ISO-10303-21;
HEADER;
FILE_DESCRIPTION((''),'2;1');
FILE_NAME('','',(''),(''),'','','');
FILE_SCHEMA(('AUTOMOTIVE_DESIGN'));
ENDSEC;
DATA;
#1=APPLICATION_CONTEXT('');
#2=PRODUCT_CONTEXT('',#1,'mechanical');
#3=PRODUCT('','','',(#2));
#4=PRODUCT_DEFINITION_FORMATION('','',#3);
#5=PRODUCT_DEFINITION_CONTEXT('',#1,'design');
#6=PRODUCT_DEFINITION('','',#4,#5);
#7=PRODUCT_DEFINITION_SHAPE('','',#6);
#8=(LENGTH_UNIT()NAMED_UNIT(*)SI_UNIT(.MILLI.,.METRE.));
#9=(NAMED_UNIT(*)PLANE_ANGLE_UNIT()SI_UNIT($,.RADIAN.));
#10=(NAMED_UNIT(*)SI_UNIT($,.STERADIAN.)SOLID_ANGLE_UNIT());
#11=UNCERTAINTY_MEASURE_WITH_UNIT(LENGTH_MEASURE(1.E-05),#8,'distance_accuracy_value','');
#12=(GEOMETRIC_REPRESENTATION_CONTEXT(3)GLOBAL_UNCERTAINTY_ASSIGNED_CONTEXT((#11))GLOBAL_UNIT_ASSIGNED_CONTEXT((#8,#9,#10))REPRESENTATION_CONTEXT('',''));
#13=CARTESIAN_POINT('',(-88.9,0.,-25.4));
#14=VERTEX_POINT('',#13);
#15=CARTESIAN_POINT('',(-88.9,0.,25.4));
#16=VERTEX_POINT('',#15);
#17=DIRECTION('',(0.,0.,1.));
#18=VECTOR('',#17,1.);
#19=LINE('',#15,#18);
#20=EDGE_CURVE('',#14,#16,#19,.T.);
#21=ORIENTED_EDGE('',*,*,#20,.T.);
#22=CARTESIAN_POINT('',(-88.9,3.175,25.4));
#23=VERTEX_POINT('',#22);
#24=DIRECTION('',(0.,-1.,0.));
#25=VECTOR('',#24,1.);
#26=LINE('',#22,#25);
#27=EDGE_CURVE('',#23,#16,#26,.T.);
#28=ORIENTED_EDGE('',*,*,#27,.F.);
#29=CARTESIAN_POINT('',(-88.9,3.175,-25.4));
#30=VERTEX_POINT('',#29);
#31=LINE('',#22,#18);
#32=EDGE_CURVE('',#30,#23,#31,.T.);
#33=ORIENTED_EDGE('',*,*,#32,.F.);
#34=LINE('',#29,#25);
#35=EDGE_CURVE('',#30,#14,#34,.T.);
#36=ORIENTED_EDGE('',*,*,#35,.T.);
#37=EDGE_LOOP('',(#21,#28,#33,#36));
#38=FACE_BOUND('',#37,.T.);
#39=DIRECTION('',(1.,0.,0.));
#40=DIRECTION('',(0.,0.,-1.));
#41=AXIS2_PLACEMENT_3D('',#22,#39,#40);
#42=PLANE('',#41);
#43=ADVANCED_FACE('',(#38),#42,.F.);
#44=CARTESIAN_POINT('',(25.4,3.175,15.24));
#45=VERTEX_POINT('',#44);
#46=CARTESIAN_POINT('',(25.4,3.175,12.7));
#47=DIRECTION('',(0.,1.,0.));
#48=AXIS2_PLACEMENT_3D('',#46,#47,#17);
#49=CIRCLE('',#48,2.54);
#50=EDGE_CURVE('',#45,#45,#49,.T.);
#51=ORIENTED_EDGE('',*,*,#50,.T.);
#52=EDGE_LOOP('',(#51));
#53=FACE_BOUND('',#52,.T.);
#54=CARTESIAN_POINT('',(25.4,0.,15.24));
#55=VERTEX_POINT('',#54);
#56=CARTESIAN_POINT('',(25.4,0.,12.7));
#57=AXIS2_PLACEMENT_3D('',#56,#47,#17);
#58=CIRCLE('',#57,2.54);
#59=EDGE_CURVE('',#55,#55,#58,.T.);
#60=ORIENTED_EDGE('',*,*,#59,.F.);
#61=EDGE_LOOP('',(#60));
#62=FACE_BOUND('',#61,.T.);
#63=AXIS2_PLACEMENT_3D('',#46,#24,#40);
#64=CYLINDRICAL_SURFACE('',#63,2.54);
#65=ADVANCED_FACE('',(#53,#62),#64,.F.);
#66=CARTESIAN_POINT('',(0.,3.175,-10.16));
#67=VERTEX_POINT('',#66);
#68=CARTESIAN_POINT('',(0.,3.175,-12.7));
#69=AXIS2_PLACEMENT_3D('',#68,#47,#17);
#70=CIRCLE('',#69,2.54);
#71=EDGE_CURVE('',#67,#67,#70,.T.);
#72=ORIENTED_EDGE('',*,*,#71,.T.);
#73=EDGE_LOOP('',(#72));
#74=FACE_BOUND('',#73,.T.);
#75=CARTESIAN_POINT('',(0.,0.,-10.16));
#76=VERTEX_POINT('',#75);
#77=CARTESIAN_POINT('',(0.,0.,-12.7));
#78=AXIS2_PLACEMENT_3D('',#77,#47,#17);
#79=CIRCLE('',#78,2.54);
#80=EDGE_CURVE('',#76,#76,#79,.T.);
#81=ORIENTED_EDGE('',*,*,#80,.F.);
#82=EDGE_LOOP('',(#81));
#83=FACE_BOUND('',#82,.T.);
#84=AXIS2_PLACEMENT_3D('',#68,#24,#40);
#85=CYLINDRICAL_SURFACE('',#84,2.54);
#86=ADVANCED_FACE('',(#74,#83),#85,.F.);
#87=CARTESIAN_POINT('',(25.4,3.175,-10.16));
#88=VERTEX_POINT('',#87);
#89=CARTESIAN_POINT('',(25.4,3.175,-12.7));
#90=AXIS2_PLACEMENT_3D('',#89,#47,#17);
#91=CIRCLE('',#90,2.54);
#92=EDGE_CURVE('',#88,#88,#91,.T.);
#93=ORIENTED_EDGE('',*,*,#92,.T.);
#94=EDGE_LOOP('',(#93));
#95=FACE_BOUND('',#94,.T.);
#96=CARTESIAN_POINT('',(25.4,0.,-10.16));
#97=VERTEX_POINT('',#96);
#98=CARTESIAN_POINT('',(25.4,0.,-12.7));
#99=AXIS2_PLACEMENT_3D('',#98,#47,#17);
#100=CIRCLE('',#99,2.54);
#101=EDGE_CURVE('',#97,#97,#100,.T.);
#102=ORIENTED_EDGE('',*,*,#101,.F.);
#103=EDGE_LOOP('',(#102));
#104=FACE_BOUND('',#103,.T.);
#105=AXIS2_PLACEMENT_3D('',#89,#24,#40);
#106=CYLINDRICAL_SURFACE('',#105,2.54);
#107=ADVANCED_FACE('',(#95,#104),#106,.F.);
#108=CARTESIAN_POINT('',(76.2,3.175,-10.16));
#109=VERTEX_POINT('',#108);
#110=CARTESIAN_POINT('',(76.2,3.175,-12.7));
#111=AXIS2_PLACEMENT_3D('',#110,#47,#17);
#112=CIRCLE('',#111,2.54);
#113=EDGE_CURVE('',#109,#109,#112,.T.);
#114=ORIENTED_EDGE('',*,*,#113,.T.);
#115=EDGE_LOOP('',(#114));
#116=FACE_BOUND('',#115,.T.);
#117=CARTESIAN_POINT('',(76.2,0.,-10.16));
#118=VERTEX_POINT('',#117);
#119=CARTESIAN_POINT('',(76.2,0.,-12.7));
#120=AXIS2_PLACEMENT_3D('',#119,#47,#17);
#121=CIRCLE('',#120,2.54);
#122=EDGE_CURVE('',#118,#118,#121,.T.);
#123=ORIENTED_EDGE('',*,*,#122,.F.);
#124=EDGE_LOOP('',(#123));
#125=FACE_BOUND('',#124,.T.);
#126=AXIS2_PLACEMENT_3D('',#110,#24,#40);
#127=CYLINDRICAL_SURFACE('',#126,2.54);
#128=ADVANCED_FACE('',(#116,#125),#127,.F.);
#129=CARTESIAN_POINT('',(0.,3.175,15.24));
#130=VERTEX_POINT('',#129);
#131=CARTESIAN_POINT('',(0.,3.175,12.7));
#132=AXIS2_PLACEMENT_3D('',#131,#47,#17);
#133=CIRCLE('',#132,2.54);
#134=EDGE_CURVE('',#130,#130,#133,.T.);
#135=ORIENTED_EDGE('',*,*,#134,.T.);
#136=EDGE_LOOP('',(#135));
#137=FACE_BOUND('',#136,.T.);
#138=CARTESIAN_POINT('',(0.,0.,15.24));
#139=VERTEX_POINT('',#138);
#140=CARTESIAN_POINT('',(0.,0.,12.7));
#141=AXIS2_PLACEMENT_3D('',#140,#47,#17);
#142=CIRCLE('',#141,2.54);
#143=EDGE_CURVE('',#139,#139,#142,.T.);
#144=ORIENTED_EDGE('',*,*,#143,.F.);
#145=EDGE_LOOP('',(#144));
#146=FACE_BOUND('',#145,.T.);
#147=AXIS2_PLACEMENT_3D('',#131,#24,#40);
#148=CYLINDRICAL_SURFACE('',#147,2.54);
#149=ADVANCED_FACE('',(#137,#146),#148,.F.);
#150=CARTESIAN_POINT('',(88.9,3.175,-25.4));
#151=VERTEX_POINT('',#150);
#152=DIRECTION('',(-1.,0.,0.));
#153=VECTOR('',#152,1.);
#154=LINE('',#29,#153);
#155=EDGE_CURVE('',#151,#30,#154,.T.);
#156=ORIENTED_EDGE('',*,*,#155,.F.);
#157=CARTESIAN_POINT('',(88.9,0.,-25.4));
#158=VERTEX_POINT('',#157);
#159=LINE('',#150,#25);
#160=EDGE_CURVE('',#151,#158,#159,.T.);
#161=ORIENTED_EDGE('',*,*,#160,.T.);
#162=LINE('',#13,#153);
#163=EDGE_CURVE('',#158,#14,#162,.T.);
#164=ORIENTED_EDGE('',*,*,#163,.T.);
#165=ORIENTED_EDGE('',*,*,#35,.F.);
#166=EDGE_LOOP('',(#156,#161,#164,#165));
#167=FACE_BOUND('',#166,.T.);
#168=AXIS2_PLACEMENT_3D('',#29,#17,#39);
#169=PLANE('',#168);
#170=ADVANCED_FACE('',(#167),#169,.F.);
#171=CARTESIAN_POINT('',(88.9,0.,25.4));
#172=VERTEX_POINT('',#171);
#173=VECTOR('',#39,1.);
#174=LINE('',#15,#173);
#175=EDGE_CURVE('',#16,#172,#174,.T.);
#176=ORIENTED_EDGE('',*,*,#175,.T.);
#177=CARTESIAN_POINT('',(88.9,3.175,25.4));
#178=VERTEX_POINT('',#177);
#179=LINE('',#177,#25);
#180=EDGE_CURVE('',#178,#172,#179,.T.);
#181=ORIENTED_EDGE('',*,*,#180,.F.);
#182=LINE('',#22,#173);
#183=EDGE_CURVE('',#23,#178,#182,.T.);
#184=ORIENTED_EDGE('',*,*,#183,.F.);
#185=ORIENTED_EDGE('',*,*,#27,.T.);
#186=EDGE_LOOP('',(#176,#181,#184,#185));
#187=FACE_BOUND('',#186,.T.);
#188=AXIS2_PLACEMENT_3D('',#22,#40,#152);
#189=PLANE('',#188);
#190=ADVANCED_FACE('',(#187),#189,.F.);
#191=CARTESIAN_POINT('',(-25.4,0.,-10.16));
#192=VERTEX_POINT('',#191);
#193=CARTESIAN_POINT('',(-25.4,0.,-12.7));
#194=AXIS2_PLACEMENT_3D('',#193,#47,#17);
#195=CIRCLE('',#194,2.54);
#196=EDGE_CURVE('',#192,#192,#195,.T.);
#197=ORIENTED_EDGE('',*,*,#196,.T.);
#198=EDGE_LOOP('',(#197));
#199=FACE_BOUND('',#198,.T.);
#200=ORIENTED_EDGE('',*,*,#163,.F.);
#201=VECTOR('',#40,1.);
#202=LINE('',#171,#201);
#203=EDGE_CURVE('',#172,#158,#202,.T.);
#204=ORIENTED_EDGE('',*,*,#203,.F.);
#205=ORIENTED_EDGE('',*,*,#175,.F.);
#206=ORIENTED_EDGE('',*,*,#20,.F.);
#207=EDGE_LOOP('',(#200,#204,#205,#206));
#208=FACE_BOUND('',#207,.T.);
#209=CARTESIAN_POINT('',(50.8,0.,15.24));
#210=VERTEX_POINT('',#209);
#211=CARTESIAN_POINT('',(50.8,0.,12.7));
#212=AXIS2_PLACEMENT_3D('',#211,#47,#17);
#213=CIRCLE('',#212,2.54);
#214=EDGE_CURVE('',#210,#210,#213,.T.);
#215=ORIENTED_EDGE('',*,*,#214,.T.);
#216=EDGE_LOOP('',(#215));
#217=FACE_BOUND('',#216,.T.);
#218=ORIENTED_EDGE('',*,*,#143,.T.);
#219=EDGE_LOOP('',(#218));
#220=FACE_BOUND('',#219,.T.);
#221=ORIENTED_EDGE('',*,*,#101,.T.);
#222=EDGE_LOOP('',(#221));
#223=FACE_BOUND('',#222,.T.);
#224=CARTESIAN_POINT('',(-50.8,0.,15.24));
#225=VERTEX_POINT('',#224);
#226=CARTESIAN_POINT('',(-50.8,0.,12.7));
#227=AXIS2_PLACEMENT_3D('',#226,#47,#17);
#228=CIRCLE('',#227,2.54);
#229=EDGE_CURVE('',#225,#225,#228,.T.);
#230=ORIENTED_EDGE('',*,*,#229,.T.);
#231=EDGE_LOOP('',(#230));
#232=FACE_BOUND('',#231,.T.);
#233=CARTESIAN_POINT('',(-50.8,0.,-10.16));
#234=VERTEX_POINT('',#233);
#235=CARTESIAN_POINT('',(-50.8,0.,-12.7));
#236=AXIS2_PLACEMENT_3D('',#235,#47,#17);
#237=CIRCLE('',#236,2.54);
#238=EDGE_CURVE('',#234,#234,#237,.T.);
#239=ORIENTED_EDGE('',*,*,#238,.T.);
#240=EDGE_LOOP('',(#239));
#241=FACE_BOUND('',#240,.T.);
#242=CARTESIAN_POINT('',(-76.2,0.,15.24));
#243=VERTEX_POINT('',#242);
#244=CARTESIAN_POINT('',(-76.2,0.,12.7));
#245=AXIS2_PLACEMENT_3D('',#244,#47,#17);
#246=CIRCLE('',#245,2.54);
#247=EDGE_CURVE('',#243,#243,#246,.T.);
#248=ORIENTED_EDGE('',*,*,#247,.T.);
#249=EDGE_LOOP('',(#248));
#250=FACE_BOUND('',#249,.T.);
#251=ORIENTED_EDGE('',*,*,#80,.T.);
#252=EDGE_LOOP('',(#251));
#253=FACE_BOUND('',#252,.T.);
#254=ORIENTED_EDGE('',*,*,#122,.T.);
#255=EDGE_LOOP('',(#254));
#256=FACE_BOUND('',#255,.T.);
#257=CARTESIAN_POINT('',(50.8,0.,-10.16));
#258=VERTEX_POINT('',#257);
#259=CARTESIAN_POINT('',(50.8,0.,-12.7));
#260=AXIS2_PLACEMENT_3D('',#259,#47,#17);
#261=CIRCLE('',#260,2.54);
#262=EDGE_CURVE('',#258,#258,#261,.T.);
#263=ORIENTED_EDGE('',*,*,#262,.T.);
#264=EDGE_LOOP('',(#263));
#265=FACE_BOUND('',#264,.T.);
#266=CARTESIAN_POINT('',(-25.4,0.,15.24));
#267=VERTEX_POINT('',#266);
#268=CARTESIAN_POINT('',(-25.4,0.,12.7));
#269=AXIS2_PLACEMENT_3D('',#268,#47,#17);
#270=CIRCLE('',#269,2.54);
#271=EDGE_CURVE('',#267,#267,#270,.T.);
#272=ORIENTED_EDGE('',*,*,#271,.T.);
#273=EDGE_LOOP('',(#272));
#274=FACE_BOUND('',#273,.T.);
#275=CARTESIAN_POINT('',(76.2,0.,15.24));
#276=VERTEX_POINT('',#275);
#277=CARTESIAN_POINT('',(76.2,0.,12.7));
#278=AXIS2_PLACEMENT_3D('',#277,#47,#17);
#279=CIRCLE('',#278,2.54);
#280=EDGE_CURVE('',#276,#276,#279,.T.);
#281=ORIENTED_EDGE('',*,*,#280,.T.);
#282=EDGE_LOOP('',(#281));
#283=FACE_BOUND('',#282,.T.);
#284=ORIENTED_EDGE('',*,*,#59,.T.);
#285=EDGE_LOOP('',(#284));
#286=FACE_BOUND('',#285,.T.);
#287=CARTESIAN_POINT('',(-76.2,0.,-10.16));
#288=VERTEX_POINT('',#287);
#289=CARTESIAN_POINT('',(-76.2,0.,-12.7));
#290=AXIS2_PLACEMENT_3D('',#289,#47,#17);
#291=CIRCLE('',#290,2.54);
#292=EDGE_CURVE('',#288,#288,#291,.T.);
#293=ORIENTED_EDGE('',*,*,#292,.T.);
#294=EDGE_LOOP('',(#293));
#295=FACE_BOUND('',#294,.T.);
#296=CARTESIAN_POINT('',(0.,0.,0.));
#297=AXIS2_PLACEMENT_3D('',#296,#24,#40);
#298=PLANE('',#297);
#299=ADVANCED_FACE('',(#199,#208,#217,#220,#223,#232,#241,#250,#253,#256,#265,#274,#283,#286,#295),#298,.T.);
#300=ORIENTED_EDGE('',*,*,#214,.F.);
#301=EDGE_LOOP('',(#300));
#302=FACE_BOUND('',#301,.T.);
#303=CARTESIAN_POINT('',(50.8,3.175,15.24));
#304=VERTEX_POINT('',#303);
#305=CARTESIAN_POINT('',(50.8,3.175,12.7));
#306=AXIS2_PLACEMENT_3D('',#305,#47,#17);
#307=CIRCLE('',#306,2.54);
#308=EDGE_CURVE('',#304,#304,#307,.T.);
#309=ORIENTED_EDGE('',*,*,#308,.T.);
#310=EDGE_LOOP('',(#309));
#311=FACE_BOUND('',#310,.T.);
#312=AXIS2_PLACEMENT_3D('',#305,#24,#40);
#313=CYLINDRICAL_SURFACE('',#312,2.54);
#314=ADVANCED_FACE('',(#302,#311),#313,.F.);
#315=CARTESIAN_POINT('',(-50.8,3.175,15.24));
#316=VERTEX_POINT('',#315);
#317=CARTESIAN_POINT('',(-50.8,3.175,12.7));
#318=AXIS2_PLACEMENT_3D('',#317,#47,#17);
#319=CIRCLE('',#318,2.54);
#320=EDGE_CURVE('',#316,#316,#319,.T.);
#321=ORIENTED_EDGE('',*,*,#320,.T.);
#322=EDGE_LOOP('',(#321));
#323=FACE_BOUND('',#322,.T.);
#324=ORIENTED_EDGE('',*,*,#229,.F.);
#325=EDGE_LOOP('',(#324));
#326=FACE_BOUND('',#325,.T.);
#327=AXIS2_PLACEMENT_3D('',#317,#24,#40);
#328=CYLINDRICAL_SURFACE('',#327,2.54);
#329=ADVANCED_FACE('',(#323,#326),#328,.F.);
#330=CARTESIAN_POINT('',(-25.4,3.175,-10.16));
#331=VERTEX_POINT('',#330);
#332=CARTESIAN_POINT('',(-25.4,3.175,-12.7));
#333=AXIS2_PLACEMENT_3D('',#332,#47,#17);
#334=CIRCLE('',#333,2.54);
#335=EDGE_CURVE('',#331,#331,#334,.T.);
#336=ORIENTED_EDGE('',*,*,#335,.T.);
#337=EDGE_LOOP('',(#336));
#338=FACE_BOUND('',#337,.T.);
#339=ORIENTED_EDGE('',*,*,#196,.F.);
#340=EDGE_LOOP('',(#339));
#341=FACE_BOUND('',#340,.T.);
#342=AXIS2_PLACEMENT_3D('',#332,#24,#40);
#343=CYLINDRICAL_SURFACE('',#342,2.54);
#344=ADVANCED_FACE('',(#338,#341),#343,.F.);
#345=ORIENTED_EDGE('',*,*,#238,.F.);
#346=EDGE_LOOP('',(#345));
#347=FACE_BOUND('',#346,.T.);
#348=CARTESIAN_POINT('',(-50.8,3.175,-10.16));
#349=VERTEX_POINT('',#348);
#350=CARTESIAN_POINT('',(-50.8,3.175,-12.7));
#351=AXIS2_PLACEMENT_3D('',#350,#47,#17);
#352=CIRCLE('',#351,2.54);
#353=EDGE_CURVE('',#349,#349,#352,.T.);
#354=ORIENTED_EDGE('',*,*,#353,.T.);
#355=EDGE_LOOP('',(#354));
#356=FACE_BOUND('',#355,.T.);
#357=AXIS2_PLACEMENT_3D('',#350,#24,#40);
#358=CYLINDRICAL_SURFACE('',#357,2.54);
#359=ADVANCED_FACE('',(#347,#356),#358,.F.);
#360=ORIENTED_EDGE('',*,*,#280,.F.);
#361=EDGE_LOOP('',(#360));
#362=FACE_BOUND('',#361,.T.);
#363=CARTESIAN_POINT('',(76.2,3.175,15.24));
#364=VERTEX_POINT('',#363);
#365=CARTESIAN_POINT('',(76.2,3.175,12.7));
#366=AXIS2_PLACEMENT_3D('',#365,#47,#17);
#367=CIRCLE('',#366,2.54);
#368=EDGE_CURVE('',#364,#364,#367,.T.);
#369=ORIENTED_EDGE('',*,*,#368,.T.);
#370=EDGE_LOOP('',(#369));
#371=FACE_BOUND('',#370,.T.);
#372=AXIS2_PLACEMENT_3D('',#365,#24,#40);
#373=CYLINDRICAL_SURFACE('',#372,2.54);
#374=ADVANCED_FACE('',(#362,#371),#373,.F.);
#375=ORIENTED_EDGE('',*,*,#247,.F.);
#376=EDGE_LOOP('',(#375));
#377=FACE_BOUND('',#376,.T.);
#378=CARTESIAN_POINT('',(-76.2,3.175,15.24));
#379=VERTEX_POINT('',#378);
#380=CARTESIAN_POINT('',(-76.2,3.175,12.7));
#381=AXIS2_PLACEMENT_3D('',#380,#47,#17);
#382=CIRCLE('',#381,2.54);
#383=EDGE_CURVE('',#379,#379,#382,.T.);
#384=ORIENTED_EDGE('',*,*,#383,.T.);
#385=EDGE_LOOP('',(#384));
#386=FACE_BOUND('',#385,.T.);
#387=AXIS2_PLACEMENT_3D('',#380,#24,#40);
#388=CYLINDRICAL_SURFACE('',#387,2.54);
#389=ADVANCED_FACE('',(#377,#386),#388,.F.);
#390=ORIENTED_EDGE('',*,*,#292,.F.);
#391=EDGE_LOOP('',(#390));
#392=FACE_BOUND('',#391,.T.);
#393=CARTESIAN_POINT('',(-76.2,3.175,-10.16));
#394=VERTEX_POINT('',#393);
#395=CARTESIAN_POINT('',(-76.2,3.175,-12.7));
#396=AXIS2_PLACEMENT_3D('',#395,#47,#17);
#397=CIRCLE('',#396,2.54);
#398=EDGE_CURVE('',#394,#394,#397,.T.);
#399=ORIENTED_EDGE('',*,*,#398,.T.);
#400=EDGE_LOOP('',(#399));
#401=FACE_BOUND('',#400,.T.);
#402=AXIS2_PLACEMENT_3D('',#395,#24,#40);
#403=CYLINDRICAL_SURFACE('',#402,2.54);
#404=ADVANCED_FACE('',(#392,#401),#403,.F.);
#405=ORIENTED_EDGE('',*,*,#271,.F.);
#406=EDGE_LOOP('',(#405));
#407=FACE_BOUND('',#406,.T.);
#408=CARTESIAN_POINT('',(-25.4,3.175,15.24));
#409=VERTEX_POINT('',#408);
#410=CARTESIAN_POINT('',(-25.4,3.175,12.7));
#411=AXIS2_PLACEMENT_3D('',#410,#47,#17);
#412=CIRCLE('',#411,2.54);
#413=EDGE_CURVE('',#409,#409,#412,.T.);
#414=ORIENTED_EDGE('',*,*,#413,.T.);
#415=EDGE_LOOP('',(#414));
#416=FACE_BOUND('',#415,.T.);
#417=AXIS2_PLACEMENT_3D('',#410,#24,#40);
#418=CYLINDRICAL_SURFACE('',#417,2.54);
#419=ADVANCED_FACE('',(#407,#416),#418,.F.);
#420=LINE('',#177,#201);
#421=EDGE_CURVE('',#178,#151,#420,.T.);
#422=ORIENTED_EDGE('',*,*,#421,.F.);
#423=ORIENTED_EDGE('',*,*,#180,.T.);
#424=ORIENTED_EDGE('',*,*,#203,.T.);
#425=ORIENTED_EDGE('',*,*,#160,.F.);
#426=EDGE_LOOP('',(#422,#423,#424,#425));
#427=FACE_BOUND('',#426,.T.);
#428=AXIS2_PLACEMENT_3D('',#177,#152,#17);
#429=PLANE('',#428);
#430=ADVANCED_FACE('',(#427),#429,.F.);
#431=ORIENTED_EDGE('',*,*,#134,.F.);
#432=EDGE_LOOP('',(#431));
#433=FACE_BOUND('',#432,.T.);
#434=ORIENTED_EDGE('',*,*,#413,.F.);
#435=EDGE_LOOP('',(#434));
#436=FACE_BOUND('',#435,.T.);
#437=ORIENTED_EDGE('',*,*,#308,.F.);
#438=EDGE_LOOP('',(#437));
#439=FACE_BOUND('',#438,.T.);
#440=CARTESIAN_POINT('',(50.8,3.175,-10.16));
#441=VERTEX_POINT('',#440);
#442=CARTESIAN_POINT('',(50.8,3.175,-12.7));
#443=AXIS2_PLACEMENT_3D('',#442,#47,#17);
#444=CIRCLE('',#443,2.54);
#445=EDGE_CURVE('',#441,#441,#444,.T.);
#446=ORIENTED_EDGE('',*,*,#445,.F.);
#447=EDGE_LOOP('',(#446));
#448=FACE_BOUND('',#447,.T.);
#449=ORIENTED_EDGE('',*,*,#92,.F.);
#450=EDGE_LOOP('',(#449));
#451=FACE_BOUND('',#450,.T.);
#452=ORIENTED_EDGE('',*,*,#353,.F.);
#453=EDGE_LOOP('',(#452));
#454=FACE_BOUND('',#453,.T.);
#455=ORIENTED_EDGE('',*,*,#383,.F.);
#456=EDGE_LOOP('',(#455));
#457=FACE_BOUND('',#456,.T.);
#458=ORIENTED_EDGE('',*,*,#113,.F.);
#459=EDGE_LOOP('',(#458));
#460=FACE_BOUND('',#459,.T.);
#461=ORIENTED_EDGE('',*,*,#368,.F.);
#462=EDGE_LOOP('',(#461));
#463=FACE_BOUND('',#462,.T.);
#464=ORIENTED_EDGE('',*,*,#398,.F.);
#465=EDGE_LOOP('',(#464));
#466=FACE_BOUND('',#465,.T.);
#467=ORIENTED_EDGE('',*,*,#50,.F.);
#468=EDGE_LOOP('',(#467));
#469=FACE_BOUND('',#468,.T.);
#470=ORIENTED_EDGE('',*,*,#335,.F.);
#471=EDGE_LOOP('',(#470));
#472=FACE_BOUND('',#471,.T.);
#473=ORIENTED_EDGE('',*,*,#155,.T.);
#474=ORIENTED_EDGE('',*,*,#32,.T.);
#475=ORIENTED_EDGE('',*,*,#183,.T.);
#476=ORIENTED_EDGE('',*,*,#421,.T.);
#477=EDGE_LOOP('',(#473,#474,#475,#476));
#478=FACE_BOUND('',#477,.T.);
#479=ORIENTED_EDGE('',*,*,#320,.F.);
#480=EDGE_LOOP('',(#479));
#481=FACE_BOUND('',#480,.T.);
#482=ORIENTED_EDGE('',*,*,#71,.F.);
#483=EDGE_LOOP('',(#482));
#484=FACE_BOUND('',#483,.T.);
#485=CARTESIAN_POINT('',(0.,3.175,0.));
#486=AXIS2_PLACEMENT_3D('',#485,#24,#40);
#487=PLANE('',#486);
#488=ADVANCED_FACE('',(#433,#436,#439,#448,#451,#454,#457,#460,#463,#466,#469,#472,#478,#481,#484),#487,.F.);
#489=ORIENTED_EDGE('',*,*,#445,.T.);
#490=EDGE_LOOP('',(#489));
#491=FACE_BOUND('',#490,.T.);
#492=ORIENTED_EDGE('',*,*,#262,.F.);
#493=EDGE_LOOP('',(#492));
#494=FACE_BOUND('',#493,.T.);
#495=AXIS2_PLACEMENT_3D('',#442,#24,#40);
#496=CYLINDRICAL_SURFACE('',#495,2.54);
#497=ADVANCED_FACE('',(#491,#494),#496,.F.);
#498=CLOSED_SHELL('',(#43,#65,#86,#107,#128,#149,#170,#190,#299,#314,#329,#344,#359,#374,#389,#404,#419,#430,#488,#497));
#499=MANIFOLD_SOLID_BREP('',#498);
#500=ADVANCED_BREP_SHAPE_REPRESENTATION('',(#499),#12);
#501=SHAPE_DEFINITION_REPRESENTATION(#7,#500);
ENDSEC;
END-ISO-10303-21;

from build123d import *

# Parameters (mm, degrees)
SKETCH2_W           = 177.8
SKETCH2_H           = 50.8
SKETCH2_R           = 2.54
BOSS_EXTRUDE1_DEPTH = 3.175


with BuildPart() as part:
    # Sketch2 → Boss-Extrude1 (new body)
    with BuildSketch(Plane(origin=(0, 0, 0), x_dir=(1, 0, 0), z_dir=(0, 1, 0))):
        Rectangle(SKETCH2_W, SKETCH2_H)
        with Locations(Location((-76.2, -12.7, 0), (0, 0, 270))):
            Circle(SKETCH2_R, mode=Mode.SUBTRACT)
        with Locations(Location((-76.2, 12.7, 0), (0, 0, 270))):
            Circle(SKETCH2_R, mode=Mode.SUBTRACT)
        with Locations(Location((-50.8, -12.7, 0), (0, 0, 270))):
            Circle(SKETCH2_R, mode=Mode.SUBTRACT)
        with Locations(Location((-50.8, 12.7, 0), (0, 0, 270))):
            Circle(SKETCH2_R, mode=Mode.SUBTRACT)
        with Locations(Location((-25.4, -12.7, 0), (0, 0, 270))):
            Circle(SKETCH2_R, mode=Mode.SUBTRACT)
        with Locations(Location((-25.4, 12.7, 0), (0, 0, 270))):
            Circle(SKETCH2_R, mode=Mode.SUBTRACT)
        with Locations(Location((0, -12.7, 0), (0, 0, 270))):
            Circle(SKETCH2_R, mode=Mode.SUBTRACT)
        with Locations(Location((0, 12.7, 0), (0, 0, 270))):
            Circle(SKETCH2_R, mode=Mode.SUBTRACT)
        with Locations(Location((25.4, -12.7, 0), (0, 0, 270))):
            Circle(SKETCH2_R, mode=Mode.SUBTRACT)
        with Locations(Location((25.4, 12.7, 0), (0, 0, 270))):
            Circle(SKETCH2_R, mode=Mode.SUBTRACT)
        with Locations(Location((50.8, -12.7, 0), (0, 0, 270))):
            Circle(SKETCH2_R, mode=Mode.SUBTRACT)
        with Locations(Location((50.8, 12.7, 0), (0, 0, 270))):
            Circle(SKETCH2_R, mode=Mode.SUBTRACT)
        with Locations(Location((76.2, -12.7, 0), (0, 0, 270))):
            Circle(SKETCH2_R, mode=Mode.SUBTRACT)
        with Locations(Location((76.2, 12.7, 0), (0, 0, 270))):
            Circle(SKETCH2_R, mode=Mode.SUBTRACT)
    extrude(amount=BOSS_EXTRUDE1_DEPTH)


solid = part.part
